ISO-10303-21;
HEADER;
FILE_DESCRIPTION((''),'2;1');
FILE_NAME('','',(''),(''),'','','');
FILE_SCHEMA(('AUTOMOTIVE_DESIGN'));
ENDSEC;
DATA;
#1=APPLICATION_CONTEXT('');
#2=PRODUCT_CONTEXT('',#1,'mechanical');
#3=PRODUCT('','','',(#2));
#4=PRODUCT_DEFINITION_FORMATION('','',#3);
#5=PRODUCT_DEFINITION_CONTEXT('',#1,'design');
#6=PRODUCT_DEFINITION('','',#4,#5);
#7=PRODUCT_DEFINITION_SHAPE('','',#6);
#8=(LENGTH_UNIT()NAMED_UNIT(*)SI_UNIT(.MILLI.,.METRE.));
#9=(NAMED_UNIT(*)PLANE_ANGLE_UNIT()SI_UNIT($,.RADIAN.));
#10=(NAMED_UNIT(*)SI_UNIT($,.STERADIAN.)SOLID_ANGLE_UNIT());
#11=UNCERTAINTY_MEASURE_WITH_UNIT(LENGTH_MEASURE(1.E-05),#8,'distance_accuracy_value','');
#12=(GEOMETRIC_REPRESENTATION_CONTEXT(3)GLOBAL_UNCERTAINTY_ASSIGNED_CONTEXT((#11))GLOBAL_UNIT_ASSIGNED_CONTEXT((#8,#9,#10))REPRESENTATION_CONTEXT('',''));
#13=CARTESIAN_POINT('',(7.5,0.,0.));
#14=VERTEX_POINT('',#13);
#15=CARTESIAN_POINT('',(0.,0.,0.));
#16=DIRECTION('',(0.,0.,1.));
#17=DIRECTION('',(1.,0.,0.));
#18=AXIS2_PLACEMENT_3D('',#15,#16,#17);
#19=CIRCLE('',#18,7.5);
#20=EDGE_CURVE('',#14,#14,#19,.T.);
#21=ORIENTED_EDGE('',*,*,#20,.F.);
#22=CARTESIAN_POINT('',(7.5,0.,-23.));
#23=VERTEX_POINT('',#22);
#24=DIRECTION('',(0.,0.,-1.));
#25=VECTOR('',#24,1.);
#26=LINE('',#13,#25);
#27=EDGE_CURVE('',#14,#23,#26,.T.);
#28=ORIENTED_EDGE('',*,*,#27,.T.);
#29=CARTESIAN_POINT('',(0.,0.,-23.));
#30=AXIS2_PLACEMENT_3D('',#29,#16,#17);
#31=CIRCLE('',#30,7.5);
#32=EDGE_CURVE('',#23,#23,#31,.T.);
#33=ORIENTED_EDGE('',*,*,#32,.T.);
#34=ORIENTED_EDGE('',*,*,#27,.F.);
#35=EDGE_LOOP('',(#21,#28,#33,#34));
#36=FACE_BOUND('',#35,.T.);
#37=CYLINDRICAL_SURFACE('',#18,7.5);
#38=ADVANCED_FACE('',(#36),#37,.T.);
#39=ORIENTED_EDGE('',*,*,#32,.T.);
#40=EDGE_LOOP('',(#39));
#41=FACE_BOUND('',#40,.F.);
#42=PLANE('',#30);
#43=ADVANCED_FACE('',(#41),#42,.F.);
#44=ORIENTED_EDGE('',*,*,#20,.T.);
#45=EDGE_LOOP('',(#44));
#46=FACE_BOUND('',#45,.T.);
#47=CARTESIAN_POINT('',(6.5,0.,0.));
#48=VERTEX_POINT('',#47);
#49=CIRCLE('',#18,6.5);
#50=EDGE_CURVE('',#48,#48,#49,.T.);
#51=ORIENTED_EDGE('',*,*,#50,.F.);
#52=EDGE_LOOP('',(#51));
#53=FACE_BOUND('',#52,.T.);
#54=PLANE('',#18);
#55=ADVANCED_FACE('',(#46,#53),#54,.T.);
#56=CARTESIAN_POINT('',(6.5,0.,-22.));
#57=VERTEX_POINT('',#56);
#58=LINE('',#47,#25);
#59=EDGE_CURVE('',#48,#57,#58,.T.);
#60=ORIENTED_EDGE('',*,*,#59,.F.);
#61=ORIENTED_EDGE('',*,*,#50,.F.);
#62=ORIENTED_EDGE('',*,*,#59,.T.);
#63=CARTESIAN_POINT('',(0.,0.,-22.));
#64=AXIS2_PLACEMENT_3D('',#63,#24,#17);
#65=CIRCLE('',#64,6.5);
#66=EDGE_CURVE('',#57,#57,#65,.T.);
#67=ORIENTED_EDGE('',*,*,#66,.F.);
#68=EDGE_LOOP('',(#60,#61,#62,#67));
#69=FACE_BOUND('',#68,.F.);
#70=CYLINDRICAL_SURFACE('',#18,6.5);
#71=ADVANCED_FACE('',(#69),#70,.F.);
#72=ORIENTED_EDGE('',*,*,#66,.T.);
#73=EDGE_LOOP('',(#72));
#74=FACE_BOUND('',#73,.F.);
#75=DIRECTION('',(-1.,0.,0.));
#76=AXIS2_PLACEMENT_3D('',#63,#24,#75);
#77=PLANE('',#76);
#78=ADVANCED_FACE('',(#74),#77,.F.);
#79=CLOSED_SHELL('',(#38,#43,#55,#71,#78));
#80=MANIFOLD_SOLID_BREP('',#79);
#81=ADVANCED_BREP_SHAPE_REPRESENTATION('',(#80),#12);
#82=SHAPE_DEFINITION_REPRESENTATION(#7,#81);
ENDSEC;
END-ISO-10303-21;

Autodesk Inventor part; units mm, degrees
ref_plane "YZ Plane" through (0, 0, 0) normal (1, 0, 0) x (0, 1, 0)
ref_plane "XZ Plane" through (0, 0, 0) normal (0, 1, 0) x (-1, 0, 0)
ref_plane "XY Plane" through (0, 0, 0) normal (0, 0, 1) x (1, 0, 0)
sketch "Skizze1" plane through (0, 0, 0) normal (0, 0, 1) x (1, 0, 0)
  circle A0 centre (0, 0) radius 6.5
  circle A1 centre (0, 0) radius 7.5
  dimension "d0" = 1
  dimension "d1" = 15
extrude "Extrusion1" add sketch "Skizze1" against normal blind 23
sketch "Skizze2" plane through (0, 0, -23) normal (0, 0, -1) x (-1, 0, 0)
  circle A0 centre (0, 0) radius 6.5 projected
  circle A1 centre (0, 0) radius 7.5
  circle A2 centre (0, 0) radius 7.5 projected
extrude "Extrusion2" add sketch "Skizze2" against normal blind 1 contours A0
properties part number "Hulse"
